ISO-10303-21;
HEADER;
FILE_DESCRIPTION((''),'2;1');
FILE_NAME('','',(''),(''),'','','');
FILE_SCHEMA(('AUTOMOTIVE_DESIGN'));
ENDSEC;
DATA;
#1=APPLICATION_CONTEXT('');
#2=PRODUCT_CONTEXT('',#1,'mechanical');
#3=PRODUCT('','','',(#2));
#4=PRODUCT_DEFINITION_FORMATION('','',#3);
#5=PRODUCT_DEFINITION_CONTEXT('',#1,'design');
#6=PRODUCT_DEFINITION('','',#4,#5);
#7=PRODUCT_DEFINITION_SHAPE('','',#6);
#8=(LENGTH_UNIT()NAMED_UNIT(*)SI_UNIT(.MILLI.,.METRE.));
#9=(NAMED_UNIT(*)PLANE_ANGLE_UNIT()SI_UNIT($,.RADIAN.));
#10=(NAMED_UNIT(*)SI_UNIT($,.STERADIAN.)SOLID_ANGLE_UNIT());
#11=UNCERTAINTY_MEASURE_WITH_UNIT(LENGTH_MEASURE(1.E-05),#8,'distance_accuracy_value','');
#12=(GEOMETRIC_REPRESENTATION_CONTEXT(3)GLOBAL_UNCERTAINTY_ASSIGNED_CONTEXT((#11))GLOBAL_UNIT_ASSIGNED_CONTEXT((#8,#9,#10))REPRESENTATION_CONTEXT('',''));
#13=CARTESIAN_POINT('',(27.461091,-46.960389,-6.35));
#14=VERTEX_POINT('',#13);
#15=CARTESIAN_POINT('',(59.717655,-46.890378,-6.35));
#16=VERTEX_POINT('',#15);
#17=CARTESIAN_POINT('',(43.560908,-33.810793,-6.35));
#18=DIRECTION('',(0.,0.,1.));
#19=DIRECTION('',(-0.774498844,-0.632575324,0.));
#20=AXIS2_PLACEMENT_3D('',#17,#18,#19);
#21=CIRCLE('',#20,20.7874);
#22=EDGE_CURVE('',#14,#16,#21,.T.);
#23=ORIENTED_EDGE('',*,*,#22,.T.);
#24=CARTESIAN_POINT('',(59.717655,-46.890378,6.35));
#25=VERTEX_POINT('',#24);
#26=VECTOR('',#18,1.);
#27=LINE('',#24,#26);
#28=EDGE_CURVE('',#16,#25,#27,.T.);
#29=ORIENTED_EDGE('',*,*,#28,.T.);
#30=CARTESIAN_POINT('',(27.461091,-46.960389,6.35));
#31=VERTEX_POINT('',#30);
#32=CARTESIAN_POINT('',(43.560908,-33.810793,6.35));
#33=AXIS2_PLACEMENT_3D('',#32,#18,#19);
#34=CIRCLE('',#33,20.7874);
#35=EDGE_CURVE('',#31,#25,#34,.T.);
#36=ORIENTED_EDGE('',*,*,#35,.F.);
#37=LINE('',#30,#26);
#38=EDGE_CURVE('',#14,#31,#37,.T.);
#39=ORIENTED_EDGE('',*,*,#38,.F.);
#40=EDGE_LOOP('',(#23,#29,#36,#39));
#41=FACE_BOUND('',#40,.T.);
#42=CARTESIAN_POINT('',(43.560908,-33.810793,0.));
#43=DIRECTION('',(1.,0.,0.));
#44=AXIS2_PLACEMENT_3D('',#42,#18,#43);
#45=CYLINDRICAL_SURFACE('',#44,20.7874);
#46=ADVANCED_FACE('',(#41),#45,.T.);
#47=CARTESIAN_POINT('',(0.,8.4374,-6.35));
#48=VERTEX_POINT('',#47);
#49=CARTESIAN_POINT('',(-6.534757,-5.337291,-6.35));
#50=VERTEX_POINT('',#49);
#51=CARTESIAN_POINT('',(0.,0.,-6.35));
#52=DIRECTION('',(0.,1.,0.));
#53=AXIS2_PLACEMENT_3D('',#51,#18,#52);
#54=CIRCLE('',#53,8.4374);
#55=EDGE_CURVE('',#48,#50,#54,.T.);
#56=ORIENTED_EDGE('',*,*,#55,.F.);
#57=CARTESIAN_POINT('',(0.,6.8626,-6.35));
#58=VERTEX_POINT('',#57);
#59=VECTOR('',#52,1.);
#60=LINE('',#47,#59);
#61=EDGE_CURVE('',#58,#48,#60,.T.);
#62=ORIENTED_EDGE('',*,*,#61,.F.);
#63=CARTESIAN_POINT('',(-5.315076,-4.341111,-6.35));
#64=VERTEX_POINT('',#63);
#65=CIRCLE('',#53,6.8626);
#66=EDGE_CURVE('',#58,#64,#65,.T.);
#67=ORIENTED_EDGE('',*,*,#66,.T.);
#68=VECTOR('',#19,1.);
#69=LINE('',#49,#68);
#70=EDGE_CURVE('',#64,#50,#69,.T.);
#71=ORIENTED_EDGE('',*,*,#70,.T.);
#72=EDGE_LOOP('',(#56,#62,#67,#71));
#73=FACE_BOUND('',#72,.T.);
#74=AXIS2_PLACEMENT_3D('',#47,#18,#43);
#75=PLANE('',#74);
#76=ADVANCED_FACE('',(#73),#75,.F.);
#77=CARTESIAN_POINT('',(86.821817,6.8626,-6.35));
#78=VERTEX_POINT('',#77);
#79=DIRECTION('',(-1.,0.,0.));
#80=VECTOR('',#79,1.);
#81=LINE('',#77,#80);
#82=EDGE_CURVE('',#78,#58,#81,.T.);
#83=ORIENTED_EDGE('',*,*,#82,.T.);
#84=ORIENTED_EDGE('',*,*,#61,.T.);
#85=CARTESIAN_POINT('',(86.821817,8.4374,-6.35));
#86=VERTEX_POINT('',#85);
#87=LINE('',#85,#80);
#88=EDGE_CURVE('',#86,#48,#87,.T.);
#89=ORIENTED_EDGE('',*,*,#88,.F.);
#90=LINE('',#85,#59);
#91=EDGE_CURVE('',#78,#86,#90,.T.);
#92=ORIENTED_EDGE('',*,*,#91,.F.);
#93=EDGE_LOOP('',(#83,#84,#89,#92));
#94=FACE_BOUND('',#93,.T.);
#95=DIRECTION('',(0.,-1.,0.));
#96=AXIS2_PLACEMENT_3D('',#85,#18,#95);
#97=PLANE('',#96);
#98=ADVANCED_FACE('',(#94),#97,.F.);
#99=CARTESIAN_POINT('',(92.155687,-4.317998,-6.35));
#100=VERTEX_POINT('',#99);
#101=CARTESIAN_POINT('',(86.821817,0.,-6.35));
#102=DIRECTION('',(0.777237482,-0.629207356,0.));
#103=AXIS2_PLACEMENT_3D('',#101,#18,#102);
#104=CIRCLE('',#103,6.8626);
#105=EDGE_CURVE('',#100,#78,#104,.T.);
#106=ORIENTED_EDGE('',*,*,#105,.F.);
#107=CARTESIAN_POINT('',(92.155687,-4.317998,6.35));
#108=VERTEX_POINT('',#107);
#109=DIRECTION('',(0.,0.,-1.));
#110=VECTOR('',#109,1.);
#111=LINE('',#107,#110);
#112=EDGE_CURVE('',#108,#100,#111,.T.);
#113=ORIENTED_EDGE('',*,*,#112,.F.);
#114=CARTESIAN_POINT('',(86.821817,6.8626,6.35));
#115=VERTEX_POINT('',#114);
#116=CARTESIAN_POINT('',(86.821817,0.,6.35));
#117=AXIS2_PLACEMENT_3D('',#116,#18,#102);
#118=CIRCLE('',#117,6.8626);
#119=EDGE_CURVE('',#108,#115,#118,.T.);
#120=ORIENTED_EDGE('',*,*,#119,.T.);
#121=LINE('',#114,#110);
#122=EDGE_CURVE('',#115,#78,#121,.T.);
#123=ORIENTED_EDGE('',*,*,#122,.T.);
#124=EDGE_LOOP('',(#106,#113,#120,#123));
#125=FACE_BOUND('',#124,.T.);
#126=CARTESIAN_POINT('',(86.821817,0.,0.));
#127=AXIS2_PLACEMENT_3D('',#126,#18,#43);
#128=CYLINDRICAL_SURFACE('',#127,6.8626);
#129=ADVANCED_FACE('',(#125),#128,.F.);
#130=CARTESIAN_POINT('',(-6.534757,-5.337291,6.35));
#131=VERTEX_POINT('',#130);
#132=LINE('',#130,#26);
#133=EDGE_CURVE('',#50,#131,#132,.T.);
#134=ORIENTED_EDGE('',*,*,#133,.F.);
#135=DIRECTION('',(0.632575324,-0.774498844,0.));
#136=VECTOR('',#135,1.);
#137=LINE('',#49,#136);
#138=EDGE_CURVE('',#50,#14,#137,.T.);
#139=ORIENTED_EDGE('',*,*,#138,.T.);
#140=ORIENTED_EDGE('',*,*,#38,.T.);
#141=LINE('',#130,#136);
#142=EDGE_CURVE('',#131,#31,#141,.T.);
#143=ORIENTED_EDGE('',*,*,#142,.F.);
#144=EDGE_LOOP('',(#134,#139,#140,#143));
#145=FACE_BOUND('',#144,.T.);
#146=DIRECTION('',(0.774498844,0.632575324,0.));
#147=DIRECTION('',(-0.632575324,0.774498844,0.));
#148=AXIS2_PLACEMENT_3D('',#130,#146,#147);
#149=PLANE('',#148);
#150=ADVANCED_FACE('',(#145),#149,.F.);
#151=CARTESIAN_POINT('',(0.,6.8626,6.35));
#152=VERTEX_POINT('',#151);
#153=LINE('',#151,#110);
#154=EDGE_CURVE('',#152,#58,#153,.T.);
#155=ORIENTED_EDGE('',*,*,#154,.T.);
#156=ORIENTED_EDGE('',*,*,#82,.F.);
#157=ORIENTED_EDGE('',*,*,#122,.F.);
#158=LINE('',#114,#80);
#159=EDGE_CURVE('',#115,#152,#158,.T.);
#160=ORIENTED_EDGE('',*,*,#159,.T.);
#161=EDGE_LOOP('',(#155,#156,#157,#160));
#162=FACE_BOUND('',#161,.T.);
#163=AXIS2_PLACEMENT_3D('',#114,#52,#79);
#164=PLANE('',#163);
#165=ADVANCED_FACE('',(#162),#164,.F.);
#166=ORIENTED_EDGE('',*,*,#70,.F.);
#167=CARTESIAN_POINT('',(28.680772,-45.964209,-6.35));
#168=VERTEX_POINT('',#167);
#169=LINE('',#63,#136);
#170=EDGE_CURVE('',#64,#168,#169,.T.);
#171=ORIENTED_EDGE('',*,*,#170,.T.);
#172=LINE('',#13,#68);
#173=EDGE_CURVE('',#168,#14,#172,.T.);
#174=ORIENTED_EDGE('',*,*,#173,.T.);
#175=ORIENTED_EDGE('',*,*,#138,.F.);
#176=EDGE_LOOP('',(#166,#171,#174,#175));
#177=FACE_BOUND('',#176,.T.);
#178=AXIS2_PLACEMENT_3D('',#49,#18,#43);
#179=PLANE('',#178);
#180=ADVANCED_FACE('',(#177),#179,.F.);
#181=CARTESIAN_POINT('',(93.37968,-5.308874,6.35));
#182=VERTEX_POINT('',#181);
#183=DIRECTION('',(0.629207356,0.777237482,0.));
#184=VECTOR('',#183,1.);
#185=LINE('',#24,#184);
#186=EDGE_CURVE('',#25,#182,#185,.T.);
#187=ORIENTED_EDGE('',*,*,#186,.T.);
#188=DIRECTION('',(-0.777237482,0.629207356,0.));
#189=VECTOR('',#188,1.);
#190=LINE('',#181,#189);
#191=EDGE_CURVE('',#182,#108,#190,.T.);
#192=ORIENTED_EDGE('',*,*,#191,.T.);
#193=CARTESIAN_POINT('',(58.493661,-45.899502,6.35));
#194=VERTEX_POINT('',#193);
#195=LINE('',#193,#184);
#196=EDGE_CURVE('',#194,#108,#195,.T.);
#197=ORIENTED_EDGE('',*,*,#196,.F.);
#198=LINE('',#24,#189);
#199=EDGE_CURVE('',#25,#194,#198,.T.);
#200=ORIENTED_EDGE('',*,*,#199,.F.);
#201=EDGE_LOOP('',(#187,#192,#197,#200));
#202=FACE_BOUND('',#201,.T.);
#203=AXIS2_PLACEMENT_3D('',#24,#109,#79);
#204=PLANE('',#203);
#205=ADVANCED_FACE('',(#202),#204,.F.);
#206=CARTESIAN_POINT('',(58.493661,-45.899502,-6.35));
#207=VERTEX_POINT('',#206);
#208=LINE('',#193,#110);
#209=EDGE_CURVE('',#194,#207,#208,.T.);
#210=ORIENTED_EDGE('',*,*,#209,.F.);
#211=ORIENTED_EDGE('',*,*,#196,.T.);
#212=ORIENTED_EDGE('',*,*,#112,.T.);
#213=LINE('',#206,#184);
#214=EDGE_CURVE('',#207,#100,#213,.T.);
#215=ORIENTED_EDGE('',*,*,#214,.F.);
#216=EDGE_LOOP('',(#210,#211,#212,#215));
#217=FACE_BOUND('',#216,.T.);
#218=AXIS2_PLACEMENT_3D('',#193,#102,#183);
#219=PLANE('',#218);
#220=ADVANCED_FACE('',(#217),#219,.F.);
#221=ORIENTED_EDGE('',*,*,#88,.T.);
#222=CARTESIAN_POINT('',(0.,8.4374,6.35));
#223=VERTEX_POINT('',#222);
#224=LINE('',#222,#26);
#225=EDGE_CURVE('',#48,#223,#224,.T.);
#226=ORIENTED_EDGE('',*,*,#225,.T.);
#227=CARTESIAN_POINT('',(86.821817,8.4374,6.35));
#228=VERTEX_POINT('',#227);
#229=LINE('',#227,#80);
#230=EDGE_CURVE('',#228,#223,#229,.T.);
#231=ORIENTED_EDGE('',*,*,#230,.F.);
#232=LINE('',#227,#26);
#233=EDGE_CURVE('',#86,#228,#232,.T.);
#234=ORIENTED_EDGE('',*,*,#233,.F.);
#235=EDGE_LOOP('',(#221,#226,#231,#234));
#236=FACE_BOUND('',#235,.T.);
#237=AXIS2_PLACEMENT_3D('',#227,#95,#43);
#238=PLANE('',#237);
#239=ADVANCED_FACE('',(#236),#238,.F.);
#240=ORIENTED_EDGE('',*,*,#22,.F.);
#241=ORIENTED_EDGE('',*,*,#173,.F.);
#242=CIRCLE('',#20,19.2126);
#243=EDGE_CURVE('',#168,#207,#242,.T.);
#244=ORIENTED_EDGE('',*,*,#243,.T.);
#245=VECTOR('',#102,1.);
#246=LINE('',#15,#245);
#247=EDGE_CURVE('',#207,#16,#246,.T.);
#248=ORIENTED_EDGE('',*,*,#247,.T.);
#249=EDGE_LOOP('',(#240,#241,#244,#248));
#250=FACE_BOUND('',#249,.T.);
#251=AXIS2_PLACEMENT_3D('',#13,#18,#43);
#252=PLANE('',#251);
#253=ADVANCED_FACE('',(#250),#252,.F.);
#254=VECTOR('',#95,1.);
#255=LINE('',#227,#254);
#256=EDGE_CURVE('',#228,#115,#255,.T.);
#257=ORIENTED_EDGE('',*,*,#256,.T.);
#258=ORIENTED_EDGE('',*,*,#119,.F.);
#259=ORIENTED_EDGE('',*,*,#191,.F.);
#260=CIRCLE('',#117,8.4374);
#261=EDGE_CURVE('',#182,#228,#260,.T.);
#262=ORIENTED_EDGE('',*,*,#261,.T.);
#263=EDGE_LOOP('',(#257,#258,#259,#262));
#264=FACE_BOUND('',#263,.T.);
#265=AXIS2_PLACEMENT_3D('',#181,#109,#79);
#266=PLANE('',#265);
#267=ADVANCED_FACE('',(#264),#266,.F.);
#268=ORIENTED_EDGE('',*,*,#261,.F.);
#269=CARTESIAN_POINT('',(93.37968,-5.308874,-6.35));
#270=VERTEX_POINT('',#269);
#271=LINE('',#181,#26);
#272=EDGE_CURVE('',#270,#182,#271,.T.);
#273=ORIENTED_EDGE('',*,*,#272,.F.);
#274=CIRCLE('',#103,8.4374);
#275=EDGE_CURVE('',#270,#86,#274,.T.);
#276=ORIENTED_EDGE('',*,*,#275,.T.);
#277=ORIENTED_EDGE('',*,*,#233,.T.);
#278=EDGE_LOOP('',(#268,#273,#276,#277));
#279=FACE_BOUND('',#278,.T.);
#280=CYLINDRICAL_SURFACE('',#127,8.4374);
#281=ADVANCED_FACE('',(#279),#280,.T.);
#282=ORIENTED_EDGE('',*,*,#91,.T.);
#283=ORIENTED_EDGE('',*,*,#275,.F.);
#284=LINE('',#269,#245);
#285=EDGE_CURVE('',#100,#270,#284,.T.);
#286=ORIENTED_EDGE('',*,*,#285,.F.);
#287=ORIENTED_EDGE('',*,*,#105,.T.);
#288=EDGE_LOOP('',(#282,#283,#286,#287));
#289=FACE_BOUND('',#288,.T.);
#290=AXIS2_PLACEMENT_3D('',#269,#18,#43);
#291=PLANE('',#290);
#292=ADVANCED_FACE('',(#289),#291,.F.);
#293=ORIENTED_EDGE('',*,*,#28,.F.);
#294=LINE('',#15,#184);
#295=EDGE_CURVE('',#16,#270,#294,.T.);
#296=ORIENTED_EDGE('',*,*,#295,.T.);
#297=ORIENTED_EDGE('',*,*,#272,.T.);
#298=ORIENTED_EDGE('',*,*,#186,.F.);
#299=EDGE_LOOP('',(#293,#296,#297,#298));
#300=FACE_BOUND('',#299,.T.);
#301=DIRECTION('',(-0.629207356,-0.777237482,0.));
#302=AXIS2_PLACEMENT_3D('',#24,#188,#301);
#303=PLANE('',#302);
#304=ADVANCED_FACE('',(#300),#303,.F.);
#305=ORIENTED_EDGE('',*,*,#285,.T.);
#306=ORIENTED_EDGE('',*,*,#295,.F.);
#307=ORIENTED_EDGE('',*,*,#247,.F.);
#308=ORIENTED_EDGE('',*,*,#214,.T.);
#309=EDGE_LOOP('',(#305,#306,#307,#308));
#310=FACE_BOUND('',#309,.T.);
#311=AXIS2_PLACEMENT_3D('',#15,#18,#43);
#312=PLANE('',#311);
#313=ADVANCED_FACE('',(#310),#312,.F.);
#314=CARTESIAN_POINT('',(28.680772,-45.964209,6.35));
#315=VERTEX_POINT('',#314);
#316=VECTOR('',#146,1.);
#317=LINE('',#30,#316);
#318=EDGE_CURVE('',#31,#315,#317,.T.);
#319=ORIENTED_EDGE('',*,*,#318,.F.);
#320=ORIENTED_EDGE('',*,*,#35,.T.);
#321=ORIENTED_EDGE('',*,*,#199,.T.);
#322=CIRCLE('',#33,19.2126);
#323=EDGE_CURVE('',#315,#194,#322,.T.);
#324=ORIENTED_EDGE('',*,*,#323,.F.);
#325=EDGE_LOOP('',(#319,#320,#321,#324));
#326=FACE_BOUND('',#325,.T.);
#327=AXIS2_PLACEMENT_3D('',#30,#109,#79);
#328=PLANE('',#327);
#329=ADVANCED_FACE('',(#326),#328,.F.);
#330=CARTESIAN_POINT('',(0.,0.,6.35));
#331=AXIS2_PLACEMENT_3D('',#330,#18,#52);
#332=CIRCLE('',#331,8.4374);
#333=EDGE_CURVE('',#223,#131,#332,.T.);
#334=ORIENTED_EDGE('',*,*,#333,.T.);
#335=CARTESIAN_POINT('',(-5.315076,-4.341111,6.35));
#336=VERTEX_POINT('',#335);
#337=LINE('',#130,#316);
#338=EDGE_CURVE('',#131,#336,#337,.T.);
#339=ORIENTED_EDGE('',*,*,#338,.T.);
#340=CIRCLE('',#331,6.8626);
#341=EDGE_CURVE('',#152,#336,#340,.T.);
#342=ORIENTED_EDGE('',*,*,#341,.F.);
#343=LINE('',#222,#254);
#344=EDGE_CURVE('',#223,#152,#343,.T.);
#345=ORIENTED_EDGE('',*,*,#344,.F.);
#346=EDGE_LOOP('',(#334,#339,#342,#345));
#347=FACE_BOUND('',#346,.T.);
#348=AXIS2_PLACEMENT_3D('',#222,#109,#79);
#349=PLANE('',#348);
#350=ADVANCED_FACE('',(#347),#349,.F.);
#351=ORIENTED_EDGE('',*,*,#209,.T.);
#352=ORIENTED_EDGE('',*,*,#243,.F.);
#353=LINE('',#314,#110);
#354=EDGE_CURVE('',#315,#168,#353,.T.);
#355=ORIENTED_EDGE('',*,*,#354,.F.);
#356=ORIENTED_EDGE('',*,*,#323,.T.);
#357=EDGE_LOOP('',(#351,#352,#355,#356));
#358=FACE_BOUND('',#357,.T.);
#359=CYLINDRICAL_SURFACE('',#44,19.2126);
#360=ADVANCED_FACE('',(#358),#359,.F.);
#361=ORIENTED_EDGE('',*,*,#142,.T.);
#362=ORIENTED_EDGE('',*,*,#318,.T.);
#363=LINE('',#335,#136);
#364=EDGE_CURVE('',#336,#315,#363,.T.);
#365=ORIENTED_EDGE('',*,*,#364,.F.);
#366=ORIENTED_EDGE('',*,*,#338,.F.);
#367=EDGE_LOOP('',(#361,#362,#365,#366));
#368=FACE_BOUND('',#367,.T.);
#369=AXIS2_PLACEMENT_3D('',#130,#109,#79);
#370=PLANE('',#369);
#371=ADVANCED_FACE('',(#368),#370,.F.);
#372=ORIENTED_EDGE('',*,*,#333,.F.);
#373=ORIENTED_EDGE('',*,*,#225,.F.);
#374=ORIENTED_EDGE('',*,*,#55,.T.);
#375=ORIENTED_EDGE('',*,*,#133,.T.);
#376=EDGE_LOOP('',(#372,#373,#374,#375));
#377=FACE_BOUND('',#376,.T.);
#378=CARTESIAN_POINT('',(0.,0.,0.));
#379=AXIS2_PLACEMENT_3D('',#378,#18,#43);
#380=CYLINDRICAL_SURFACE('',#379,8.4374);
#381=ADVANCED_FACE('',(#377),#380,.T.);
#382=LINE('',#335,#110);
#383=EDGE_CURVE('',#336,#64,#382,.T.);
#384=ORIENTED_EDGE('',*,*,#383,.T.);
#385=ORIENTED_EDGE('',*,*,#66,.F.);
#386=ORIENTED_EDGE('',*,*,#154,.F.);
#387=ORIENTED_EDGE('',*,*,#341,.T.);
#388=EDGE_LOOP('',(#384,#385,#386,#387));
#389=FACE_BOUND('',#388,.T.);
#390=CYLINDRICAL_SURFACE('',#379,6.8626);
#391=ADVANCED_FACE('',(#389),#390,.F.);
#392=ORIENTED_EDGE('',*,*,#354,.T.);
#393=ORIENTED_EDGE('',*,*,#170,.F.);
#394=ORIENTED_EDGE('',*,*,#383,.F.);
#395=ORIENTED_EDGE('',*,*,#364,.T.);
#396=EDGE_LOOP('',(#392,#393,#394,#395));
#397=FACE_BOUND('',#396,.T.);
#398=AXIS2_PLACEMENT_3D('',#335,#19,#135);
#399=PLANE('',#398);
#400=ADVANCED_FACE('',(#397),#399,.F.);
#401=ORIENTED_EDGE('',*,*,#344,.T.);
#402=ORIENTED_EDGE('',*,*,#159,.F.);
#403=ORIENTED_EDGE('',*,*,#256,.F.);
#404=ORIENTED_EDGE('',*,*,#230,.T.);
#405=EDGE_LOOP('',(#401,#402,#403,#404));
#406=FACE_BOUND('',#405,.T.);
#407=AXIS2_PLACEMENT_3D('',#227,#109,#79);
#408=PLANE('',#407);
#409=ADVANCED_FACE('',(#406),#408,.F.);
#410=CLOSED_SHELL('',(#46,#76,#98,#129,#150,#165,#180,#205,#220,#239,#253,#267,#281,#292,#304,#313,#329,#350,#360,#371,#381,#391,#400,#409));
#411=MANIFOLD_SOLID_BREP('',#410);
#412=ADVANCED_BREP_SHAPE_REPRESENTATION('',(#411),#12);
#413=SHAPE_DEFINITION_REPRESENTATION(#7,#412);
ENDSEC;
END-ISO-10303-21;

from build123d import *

# Parameters (mm, degrees)
SKETCH3_W = 12.7
SKETCH3_H = 1.5748


with BuildPart() as part:
    # Sweep1: sweep along a path in Sketch2
    with BuildLine(Plane.XY) as sweep1_path:
        Line((0, 7.65), (86.821816818, 7.65))
        ThreePointArc((86.821816818, 7.65), (93.726354726, 3.293912001), (92.767683557, -4.81343627))
        Line((92.767683557, -4.81343627), (59.105658053, -46.394939916))
        ThreePointArc((59.105658053, -46.394939916), (43.604317336, -53.810745697), (28.070931526, -46.462299284))
        Line((28.070931526, -46.462299284), (-5.924916158, -4.839201228))
        ThreePointArc((-5.924916158, -4.839201228), (-6.911670905, 3.278918313), (0, 7.65))
    # Sketch3 → Sweep1 (sweep)
    with BuildSketch(Plane(origin=(0, 0, 0), x_dir=(0, 0, -1), z_dir=(1, 0, 0))):
        with Locations((0, 7.65)):
            Rectangle(SKETCH3_W, SKETCH3_H)
    sweep(path=sweep1_path.line)


solid = part.part
